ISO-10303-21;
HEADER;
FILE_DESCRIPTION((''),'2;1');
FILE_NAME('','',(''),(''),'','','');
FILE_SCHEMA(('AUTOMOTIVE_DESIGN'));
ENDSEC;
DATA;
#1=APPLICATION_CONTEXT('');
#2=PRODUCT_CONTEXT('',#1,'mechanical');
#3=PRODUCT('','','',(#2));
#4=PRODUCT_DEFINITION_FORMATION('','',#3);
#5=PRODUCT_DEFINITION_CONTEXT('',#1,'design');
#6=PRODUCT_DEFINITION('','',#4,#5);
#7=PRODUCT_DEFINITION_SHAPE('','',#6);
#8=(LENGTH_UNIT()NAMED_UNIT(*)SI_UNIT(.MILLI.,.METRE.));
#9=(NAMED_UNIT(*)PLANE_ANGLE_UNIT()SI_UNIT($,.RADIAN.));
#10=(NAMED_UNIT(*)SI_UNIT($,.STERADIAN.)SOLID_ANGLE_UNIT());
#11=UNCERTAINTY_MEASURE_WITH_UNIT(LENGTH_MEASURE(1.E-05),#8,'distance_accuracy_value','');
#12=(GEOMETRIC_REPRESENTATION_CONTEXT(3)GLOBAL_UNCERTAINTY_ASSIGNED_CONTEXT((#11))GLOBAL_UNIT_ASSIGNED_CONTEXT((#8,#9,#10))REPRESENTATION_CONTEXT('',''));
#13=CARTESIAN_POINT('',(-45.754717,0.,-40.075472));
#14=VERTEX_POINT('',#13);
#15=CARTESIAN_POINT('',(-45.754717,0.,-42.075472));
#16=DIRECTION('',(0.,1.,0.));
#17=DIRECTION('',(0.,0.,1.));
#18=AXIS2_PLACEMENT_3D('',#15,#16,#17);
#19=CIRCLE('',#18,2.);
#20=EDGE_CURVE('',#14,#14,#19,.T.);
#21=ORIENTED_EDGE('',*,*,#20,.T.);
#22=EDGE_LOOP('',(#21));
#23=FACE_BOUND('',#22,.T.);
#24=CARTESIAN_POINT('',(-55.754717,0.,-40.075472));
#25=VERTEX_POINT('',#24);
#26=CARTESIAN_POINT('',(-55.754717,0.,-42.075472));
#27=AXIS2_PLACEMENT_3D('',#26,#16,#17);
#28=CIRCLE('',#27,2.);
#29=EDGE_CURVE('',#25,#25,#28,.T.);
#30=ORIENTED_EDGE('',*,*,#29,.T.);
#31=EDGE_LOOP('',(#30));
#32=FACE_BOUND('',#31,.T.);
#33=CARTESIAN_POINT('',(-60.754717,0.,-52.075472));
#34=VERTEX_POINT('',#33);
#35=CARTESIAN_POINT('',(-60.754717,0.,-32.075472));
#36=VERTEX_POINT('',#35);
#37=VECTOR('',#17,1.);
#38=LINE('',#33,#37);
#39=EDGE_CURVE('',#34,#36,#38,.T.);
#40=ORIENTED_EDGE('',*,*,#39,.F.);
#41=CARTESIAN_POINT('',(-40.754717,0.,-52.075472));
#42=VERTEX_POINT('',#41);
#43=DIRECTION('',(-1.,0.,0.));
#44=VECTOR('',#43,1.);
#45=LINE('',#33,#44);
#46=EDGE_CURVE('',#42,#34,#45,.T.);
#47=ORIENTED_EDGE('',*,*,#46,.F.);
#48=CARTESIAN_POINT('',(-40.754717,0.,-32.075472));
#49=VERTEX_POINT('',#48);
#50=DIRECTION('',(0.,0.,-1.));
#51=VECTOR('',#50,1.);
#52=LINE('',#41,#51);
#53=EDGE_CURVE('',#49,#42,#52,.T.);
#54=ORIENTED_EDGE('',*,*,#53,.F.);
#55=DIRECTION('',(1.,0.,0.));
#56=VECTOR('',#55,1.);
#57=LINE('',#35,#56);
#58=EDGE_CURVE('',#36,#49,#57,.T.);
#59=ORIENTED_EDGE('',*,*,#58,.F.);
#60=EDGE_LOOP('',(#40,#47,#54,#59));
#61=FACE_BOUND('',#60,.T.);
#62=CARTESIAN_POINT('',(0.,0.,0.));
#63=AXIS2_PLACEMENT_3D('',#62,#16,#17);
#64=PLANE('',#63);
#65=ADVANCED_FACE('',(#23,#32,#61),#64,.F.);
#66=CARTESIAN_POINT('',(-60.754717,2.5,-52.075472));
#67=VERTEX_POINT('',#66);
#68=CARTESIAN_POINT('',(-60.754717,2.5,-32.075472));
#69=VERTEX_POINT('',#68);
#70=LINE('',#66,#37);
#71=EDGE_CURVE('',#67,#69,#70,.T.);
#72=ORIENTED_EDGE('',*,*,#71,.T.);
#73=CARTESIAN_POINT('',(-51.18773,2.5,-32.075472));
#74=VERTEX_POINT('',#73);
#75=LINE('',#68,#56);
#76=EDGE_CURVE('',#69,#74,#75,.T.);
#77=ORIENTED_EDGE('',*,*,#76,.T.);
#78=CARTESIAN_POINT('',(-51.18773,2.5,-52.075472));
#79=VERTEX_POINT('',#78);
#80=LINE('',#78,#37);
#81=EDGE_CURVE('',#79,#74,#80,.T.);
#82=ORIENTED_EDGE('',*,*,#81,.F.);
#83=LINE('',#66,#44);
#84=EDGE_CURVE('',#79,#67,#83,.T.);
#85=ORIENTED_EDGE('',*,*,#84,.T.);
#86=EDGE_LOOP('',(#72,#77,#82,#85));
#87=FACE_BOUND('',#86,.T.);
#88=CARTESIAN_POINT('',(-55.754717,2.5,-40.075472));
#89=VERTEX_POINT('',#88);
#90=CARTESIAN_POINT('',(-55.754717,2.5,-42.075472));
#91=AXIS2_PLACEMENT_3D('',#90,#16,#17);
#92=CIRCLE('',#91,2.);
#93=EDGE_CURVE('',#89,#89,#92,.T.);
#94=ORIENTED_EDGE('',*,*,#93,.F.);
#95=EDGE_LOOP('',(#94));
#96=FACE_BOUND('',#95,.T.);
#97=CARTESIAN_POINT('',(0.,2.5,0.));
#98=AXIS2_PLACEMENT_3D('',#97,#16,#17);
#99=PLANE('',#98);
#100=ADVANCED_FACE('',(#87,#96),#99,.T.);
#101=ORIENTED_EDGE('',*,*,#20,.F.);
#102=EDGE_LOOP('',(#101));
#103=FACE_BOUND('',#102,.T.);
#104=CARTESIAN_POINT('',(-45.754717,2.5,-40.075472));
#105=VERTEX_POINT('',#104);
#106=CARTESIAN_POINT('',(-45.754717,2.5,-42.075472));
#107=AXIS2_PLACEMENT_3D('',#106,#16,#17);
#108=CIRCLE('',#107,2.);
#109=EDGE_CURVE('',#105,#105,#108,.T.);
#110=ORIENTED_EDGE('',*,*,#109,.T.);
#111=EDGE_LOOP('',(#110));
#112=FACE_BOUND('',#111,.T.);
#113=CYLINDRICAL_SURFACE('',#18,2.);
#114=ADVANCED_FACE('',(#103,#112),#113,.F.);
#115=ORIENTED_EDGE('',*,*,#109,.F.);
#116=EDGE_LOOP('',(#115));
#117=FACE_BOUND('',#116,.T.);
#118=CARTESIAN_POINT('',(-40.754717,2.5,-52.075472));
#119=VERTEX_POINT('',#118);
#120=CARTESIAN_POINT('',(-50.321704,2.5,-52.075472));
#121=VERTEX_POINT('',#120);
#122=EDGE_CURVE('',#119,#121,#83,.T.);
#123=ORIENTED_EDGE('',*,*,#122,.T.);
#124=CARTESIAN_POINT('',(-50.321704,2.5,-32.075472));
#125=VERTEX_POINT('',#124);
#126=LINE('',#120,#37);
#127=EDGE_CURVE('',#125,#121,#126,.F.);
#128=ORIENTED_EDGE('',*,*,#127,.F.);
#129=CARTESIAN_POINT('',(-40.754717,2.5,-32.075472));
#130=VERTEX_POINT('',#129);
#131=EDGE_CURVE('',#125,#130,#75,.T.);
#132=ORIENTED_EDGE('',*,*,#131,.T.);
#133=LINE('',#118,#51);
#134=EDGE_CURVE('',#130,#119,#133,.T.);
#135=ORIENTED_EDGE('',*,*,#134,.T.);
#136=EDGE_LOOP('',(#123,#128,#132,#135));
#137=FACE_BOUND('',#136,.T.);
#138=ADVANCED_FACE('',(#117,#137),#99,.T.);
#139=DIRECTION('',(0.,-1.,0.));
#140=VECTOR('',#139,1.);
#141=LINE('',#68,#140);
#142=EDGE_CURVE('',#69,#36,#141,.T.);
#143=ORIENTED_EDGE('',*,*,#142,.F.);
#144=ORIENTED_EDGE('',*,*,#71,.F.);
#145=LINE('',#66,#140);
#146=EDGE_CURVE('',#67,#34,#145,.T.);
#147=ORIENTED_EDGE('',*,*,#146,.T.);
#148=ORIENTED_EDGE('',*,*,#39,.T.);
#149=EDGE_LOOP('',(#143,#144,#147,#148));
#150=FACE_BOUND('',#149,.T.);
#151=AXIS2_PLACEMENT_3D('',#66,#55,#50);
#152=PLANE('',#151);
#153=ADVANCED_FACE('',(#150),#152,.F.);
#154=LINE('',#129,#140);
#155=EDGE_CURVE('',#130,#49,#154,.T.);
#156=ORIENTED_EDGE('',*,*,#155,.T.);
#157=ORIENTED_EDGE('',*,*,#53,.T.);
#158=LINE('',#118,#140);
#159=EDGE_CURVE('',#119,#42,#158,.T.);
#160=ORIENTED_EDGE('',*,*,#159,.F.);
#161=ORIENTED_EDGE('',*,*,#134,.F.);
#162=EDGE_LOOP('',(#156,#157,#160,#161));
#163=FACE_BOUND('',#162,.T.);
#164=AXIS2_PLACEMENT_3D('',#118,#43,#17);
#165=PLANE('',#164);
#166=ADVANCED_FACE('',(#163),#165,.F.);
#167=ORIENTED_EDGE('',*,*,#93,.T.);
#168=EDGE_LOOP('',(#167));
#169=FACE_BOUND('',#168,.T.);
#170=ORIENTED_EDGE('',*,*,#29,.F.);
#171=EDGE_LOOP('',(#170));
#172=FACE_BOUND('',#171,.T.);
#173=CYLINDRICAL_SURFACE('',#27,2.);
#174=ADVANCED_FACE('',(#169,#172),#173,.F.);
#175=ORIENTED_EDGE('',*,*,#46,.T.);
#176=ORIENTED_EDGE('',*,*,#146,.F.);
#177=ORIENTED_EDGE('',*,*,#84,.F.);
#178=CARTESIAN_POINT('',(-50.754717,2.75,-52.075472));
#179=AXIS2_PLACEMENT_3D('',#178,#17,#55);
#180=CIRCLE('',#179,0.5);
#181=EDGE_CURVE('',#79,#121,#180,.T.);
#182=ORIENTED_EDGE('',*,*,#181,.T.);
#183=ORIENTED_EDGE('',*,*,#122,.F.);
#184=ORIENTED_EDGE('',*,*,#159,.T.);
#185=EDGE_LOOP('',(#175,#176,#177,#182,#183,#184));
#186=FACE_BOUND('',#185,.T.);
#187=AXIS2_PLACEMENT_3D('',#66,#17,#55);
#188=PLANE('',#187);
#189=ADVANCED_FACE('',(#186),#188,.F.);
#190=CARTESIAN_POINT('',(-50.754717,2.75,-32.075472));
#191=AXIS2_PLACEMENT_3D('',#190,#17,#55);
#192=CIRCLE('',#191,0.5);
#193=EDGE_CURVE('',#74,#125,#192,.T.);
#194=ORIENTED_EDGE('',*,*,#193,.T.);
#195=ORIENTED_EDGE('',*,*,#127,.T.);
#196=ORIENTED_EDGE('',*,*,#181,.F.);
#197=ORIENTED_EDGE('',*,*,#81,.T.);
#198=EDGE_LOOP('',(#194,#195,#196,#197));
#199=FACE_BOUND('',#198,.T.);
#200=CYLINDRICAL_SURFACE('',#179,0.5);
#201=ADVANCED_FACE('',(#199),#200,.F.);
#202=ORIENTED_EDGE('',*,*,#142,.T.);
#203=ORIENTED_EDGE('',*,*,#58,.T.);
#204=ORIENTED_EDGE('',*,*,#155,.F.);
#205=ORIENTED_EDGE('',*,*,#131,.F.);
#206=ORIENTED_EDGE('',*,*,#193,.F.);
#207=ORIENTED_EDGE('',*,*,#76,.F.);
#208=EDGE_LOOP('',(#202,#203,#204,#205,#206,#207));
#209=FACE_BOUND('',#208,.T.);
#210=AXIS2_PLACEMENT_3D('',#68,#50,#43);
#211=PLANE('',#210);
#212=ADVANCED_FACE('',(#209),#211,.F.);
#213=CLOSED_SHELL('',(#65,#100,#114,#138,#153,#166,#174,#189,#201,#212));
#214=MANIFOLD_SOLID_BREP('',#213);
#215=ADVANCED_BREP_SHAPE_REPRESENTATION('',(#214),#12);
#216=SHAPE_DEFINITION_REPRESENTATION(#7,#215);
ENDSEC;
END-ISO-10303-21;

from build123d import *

# Parameters (mm, degrees)
SKETCH1_W           = 20
SKETCH1_H           = 20
BOSS_EXTRUDE1_DEPTH = 2.5
SKETCH2_R           = 0.5
CUT_EXTRUDE1_DEPTH  = 21
SKETCH3_R           = 2
CUT_EXTRUDE2_DEPTH  = 3.5


with BuildPart() as part:
    # Sketch1 → Boss-Extrude1 (new body)
    with BuildSketch(Plane(origin=(0, 0, 0), x_dir=(1, 0, 0), z_dir=(0, 1, 0))):
        with Locations((-50.754716981, 42.075471698)):
            Rectangle(SKETCH1_W, SKETCH1_H)
    extrude(amount=BOSS_EXTRUDE1_DEPTH)

    # Sketch2 → Cut-Extrude1 (cut, through all)
    with BuildSketch(Plane.XY.offset(-32.075471698)):
        with Locations((-50.754716981, 2.75)):
            Circle(SKETCH2_R)
    extrude(amount=-CUT_EXTRUDE1_DEPTH, mode=Mode.SUBTRACT)

    # Sketch3 → Cut-Extrude2 (cut, through all)
    with BuildSketch(Plane(origin=(0, 2.5, 0), x_dir=(1, 0, 0), z_dir=(0, 1, 0))):
        with Locations((-55.754716981, 42.075471698)):
            Circle(SKETCH3_R)
        with Locations((-45.754716981, 42.075471698)):
            Circle(SKETCH3_R)
    extrude(amount=-CUT_EXTRUDE2_DEPTH, mode=Mode.SUBTRACT)


solid = part.part
